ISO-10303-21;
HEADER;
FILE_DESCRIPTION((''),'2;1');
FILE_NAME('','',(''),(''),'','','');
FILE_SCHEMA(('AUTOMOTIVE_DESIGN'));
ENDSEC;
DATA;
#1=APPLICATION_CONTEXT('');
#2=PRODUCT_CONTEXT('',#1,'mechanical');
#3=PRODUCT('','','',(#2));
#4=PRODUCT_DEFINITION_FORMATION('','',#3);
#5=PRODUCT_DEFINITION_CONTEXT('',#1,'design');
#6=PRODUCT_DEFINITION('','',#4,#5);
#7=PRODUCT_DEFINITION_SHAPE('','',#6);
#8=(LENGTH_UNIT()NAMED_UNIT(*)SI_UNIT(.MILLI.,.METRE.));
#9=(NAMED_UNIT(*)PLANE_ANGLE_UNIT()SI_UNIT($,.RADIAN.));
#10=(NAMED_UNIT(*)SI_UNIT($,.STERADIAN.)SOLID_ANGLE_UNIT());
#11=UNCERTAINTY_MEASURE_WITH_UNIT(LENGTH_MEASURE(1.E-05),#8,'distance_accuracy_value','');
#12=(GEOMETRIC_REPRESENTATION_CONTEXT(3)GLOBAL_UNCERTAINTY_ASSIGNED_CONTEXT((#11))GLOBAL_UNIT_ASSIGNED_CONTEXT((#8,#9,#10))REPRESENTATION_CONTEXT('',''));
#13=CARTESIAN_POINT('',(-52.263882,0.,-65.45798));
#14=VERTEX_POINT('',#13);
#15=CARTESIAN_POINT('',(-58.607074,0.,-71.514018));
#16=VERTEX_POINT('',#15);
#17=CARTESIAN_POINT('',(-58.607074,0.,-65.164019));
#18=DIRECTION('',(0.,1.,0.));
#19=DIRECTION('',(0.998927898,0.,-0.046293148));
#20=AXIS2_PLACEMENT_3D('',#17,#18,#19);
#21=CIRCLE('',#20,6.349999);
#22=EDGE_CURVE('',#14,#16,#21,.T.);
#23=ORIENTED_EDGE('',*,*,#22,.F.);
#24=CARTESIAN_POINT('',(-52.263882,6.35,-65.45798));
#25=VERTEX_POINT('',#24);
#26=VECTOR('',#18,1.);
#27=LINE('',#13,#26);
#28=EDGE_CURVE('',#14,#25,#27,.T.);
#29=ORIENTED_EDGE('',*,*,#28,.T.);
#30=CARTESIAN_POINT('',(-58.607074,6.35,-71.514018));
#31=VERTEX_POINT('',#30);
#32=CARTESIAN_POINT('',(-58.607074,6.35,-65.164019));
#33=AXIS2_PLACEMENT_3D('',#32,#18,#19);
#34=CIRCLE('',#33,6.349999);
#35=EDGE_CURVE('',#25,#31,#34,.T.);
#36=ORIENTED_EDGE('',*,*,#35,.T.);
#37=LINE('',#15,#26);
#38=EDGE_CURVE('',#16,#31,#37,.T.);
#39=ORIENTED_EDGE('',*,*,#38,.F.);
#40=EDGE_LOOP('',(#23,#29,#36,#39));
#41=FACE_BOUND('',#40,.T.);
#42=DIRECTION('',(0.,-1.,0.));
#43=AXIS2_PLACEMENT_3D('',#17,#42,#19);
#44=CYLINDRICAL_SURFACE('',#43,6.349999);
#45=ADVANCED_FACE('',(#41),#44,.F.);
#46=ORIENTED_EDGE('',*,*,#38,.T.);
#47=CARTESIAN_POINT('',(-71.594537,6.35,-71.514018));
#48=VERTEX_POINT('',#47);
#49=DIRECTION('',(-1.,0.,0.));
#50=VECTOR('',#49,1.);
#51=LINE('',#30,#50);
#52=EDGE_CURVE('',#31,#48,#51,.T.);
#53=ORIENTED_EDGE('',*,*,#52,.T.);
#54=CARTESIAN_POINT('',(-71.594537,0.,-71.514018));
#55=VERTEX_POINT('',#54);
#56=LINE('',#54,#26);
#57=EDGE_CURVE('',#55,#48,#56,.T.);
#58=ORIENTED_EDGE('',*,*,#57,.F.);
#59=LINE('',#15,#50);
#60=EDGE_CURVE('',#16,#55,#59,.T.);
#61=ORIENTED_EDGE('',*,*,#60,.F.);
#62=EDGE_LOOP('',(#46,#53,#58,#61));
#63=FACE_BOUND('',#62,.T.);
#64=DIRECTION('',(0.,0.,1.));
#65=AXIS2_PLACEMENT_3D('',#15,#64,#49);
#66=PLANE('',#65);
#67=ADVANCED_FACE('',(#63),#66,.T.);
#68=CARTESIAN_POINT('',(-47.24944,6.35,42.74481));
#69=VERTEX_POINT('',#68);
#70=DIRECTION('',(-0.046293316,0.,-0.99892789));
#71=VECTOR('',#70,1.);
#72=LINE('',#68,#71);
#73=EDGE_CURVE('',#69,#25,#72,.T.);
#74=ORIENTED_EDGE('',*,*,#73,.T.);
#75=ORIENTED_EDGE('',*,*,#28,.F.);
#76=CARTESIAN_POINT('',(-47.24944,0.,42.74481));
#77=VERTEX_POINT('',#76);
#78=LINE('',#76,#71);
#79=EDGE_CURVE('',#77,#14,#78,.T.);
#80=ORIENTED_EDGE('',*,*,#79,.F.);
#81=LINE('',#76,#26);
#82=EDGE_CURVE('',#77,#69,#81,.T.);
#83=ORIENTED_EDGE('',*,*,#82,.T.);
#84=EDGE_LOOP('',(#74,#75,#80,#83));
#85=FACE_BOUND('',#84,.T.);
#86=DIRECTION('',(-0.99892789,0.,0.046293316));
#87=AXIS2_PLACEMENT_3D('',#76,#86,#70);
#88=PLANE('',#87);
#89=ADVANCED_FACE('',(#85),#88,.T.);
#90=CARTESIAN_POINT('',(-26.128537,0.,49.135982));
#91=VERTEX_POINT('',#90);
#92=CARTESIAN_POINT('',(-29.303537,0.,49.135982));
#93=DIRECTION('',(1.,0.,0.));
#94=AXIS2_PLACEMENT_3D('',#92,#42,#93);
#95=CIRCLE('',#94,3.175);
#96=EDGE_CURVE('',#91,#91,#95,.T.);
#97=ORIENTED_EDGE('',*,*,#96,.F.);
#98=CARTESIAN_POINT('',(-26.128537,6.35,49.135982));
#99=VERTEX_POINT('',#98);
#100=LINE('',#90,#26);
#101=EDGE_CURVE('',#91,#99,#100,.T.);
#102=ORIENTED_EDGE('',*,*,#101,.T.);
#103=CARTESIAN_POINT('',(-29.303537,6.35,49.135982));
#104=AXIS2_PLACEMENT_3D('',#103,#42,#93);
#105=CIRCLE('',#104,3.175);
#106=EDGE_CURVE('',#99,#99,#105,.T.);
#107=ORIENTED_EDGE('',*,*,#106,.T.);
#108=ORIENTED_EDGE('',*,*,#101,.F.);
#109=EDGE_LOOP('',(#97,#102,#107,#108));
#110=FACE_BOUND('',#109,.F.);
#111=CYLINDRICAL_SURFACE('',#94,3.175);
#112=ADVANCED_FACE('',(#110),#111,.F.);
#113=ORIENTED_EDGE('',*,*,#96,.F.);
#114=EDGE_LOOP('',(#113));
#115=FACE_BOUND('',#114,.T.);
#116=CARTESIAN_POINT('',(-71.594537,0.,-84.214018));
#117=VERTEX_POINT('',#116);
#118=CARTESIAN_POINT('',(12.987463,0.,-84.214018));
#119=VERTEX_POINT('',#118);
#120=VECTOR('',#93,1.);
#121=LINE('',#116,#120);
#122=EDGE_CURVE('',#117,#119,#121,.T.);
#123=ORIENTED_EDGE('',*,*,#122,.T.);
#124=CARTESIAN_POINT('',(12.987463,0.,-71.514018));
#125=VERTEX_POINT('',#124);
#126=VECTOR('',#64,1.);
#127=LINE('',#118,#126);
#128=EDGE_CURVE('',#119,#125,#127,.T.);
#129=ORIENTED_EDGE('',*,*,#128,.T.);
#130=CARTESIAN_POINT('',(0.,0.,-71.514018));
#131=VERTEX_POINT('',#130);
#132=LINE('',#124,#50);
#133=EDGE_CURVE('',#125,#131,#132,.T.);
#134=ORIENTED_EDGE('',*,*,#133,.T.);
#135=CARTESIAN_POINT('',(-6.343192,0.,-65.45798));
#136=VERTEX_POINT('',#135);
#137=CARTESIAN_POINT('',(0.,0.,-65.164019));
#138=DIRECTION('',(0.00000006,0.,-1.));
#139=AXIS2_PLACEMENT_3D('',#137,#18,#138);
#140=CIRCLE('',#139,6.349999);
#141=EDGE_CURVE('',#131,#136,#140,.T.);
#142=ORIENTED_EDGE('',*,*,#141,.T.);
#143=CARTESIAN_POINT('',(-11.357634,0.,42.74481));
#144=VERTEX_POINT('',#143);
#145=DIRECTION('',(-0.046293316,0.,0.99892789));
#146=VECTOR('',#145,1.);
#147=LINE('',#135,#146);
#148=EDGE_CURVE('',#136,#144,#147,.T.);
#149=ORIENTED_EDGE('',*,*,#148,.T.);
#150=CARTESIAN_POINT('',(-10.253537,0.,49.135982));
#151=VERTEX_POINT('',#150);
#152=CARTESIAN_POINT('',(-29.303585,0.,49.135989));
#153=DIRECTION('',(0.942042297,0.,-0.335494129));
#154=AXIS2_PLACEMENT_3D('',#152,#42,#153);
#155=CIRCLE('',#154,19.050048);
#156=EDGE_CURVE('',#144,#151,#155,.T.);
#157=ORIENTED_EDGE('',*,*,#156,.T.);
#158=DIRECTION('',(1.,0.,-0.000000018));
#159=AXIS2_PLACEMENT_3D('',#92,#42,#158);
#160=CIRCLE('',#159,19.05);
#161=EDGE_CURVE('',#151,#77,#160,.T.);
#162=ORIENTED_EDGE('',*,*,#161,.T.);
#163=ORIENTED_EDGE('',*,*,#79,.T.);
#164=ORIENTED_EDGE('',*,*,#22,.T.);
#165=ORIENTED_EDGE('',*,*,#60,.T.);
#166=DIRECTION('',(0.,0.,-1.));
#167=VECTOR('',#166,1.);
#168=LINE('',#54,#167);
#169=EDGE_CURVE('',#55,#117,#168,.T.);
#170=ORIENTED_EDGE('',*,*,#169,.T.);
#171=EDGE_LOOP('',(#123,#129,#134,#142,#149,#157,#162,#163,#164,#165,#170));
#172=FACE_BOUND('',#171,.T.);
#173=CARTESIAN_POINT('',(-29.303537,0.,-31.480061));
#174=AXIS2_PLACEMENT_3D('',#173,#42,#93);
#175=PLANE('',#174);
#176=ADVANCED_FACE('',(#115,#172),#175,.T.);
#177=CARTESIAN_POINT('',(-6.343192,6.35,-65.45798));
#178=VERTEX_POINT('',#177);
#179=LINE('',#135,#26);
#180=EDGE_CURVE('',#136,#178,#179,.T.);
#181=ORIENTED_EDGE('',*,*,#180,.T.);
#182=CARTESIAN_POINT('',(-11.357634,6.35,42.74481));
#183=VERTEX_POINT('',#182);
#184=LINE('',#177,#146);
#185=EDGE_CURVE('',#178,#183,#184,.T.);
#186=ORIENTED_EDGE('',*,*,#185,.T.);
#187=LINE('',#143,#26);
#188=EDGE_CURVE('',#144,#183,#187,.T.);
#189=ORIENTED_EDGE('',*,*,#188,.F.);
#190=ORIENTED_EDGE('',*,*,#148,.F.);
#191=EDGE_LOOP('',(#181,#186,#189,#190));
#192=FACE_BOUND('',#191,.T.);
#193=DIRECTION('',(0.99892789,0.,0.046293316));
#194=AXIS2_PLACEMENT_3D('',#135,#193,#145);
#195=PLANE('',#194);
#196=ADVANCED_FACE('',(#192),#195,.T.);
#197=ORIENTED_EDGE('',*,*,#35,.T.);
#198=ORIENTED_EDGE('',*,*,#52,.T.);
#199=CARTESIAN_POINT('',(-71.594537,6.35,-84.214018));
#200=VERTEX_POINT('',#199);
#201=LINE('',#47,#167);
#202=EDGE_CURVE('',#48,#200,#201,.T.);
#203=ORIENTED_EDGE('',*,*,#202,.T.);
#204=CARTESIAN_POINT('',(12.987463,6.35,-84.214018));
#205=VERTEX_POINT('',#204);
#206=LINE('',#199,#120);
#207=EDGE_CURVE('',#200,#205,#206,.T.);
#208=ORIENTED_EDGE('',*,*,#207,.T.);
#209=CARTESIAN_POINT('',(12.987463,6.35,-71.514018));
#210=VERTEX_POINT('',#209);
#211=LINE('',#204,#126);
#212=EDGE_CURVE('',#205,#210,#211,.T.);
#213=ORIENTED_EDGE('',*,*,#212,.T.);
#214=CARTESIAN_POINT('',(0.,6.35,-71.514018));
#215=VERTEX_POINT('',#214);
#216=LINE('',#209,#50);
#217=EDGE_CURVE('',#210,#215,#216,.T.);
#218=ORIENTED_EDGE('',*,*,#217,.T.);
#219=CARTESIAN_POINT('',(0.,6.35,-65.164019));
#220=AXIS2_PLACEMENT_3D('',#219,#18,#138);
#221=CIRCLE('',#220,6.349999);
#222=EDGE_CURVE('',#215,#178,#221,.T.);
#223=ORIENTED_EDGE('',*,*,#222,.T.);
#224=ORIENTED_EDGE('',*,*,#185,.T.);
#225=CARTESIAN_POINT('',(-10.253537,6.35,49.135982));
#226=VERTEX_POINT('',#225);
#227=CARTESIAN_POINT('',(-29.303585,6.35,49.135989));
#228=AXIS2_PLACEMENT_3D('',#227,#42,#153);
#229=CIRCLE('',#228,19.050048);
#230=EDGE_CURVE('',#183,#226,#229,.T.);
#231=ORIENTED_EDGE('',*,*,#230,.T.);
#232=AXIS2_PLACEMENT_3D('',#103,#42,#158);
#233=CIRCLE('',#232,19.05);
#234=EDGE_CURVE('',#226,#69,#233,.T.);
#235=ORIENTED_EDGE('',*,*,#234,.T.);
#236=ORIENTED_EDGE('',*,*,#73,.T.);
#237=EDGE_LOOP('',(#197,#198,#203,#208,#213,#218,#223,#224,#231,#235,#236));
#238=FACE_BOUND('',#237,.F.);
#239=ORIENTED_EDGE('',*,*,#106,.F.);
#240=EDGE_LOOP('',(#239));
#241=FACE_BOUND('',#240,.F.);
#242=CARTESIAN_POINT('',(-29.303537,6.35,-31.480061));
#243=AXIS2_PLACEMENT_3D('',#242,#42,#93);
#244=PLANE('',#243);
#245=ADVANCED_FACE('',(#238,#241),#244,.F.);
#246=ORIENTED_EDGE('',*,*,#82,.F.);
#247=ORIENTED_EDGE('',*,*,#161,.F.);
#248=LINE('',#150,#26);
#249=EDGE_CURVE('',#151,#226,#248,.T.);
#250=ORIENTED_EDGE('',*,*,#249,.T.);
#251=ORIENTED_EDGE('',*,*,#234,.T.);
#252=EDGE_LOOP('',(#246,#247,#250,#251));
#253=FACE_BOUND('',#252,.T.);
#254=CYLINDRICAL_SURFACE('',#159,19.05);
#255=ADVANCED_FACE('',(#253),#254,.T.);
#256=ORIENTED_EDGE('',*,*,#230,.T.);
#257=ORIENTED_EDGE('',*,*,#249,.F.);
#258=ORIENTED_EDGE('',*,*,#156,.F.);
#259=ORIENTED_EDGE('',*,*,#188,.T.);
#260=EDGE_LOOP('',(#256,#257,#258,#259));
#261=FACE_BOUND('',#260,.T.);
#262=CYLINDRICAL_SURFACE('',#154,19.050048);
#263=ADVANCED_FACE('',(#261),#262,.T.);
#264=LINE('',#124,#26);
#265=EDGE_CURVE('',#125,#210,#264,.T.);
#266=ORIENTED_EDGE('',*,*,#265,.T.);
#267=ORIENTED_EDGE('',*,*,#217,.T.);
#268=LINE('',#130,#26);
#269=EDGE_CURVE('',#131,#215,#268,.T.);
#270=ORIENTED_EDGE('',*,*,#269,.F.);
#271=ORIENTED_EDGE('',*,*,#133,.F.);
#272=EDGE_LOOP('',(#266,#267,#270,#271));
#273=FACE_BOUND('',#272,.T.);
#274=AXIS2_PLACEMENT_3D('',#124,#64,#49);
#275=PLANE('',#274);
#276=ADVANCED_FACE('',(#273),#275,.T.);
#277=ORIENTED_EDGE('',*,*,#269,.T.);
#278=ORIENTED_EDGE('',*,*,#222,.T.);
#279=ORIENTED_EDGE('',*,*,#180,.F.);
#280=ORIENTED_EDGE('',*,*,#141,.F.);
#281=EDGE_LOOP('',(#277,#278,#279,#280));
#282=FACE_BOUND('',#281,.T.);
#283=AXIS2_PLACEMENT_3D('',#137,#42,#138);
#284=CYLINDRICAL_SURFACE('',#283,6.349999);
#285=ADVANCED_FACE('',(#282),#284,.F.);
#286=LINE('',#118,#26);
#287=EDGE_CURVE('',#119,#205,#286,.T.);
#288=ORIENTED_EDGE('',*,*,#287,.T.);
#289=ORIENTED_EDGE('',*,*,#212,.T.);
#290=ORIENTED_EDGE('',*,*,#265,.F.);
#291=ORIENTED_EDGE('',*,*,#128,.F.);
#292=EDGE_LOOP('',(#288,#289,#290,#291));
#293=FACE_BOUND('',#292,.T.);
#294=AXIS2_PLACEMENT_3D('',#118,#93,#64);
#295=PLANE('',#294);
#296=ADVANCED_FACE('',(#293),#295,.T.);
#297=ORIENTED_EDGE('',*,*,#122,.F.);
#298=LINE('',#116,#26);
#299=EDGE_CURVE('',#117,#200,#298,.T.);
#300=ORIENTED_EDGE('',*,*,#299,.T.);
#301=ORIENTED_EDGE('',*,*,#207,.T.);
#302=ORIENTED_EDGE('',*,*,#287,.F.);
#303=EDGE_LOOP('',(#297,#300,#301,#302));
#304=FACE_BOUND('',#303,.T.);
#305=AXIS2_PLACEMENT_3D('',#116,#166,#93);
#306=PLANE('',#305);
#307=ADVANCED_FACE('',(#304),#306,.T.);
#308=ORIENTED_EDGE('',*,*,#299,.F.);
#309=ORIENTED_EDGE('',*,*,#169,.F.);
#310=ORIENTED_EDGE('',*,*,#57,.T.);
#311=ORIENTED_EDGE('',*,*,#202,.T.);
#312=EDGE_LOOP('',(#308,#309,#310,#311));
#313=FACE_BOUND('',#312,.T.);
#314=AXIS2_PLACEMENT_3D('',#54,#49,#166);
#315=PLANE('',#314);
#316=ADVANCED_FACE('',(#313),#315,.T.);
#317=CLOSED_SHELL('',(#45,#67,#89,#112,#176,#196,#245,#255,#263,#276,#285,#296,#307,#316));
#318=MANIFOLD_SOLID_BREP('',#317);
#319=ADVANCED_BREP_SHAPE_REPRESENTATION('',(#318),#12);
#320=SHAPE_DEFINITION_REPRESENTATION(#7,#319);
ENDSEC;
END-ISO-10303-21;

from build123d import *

# Parameters (mm, degrees)
F0_R     = 3.175
F1_DEPTH = 6.35


with BuildPart() as f1:
    # F0 (on Front) → F1 (new body)
    with BuildSketch(Plane.XZ):
        with BuildLine():
            Line((-71.594537, -71.514018), (-71.594537, -84.214018))
            Line((-71.594537, -84.214018), (12.987463, -84.214018))
            Line((12.987463, -84.214018), (12.987463, -71.514018))
            Line((12.987463, -71.514018), (0, -71.514018))
            ThreePointArc((0, -71.514018), (-4.384965, -69.756902), (-6.343192, -65.45798))
            Line((-6.343192, -65.45798), (-11.357634, 42.74481))
            ThreePointArc((-11.357634, 42.74481), (-29.303537, 30.085982), (-47.24944, 42.74481))
            Line((-47.24944, 42.74481), (-52.263882, -65.45798))
            ThreePointArc((-52.263882, -65.45798), (-54.222109, -69.756902), (-58.607074, -71.514018))
            Line((-58.607074, -71.514018), (-71.594537, -71.514018))
        make_face()
        with BuildLine():
            ThreePointArc((-10.253537, 49.135982), (-32.546457, 67.907929), (-47.24944, 42.74481))
            ThreePointArc((-47.24944, 42.74481), (-29.303537, 30.085982), (-11.357634, 42.74481))
            ThreePointArc((-11.357634, 42.74481), (-10.531591, 45.893063), (-10.253537, 49.135982))
        make_face()
        with Locations((-29.303537, 49.135982)):
            Circle(F0_R, mode=Mode.SUBTRACT)
    extrude(amount=-F1_DEPTH)


solid = f1.part
